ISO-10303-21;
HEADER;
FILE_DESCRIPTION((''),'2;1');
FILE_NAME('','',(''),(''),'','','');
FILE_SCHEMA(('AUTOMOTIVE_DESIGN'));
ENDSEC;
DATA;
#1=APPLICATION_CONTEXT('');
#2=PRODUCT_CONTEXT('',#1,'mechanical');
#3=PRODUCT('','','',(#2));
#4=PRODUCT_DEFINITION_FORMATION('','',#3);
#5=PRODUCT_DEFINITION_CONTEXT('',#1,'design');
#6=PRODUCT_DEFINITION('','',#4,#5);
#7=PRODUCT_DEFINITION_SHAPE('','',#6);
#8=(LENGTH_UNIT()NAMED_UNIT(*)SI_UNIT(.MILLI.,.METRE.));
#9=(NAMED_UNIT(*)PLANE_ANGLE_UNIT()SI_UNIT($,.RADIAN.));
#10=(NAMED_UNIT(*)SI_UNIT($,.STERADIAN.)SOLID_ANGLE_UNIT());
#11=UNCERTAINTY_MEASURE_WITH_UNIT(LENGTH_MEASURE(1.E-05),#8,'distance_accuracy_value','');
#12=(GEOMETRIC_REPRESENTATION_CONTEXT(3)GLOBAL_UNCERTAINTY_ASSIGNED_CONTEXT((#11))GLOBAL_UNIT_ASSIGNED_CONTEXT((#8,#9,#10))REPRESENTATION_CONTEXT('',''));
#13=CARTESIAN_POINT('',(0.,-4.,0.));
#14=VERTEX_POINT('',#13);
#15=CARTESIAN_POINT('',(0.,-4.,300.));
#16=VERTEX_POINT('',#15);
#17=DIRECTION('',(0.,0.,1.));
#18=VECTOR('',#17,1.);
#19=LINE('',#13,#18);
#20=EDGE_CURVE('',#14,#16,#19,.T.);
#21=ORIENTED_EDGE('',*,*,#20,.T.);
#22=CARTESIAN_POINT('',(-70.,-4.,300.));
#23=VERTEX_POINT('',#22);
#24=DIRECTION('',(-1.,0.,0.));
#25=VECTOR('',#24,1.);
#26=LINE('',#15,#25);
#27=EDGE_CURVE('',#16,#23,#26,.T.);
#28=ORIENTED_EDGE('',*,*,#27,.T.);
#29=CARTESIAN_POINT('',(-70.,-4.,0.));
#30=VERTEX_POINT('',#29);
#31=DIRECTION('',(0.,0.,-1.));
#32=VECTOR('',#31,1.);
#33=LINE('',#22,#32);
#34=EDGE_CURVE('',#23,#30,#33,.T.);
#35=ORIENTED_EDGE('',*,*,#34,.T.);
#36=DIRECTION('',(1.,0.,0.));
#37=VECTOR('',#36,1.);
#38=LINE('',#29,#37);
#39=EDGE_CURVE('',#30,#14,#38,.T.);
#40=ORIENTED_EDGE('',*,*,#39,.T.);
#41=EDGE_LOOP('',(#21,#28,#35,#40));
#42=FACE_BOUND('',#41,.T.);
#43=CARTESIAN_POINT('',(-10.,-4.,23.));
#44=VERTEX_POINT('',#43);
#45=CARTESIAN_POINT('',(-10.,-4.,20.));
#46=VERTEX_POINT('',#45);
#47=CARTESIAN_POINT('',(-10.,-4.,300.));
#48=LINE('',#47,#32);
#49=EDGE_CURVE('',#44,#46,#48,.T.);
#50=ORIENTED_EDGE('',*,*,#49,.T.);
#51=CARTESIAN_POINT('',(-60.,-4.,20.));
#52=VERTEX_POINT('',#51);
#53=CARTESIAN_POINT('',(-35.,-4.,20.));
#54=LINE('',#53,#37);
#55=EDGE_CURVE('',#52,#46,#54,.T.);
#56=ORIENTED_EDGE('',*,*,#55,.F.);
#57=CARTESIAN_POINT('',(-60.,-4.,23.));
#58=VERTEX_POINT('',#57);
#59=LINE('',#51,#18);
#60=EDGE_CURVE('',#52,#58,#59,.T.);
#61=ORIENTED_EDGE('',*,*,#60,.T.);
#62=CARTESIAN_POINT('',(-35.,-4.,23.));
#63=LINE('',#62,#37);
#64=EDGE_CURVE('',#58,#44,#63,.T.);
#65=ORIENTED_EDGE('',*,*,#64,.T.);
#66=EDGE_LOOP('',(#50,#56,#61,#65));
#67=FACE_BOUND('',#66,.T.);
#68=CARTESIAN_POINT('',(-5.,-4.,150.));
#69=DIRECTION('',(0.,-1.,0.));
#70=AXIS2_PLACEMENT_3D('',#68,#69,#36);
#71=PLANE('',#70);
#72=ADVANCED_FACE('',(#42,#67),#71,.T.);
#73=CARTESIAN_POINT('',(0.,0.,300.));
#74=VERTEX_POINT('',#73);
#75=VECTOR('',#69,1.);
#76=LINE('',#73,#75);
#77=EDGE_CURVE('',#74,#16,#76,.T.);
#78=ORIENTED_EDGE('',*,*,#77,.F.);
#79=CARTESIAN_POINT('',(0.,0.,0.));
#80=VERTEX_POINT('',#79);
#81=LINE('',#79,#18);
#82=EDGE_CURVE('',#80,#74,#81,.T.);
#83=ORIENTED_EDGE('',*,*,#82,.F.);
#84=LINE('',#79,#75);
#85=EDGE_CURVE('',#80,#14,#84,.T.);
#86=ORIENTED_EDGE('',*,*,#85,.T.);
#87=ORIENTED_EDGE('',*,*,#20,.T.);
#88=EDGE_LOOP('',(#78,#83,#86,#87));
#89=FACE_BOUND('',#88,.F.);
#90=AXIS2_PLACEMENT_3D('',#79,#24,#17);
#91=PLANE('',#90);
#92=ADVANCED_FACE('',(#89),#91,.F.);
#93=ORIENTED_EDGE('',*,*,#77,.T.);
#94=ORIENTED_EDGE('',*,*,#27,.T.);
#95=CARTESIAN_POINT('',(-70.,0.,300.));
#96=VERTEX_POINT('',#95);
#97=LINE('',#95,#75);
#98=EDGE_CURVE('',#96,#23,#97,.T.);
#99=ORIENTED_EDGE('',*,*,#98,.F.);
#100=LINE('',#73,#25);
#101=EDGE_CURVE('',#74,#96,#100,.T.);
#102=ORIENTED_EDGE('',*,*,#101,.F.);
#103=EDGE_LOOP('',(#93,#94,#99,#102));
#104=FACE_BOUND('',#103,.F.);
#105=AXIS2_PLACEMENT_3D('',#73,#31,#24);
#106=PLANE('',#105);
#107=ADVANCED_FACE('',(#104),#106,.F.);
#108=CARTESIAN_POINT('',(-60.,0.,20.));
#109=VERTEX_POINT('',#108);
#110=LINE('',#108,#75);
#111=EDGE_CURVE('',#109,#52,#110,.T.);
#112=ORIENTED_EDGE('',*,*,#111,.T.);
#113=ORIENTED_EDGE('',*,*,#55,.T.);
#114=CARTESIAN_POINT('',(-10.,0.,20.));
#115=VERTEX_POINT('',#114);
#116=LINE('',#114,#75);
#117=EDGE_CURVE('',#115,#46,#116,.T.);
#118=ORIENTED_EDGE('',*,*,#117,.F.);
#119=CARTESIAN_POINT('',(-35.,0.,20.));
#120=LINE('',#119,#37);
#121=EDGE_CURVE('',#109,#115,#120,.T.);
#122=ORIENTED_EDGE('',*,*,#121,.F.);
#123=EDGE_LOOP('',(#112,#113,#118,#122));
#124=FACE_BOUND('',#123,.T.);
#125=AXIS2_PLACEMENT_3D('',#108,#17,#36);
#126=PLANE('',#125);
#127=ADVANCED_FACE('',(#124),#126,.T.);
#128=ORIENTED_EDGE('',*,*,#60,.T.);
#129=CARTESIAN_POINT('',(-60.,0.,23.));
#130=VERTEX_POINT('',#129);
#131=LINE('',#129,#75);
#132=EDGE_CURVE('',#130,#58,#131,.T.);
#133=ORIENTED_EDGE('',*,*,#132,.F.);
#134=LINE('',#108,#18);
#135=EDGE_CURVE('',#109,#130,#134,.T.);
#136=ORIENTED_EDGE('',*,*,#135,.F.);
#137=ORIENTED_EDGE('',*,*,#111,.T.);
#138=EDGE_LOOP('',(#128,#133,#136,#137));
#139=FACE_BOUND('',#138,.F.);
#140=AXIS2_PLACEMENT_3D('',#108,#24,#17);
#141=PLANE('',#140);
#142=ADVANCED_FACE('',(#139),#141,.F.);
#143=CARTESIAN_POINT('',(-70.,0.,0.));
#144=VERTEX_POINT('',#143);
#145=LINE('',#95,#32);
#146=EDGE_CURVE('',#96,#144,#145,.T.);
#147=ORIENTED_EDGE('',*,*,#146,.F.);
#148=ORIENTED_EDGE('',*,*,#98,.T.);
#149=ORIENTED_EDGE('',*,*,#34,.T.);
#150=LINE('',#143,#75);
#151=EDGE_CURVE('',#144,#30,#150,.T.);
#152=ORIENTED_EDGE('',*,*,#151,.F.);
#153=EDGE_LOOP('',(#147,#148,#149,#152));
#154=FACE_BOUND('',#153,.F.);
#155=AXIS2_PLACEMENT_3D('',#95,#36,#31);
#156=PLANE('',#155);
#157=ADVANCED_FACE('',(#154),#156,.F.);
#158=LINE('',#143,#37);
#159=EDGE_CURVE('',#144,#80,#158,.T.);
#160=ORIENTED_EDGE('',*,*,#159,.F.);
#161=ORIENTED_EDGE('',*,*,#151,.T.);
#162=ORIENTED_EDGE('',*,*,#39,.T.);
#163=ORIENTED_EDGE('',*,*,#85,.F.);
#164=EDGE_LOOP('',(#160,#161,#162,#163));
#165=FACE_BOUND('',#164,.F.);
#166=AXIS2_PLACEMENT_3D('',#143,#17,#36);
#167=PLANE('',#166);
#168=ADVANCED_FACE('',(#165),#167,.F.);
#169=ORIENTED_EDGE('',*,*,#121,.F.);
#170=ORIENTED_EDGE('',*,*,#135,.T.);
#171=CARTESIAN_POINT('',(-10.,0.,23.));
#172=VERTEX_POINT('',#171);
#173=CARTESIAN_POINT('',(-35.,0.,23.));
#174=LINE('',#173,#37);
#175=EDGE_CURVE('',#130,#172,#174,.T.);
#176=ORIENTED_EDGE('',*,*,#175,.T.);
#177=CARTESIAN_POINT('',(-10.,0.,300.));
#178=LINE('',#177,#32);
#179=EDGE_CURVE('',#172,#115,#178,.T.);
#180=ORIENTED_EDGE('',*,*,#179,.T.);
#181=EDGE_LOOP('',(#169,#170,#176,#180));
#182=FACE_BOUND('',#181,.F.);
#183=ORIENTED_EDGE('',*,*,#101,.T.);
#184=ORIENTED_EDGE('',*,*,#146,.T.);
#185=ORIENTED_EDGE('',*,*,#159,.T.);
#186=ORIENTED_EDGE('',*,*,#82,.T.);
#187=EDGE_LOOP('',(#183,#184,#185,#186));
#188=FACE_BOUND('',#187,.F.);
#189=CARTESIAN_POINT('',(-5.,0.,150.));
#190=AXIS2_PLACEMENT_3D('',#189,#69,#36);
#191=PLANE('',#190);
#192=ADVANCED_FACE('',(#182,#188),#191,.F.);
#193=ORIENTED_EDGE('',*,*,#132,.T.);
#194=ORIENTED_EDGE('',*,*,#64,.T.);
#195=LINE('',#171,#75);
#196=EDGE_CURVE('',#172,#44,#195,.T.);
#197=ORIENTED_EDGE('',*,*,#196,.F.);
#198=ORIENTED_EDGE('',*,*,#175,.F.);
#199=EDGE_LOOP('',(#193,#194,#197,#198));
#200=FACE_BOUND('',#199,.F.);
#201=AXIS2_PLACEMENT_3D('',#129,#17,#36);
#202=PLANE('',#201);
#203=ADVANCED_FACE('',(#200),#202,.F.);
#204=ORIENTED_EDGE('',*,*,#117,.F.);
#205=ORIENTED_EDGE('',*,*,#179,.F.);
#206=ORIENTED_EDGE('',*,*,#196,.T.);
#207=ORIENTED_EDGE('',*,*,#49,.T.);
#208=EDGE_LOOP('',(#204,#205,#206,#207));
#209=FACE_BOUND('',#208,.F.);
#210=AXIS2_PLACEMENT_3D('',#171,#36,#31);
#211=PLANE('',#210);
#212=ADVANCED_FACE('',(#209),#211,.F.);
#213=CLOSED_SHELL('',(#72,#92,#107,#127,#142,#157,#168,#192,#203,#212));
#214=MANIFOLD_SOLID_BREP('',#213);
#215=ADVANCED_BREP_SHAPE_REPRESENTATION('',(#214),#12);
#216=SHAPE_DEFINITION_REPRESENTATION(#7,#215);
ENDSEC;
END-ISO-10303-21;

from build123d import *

# Parameters (mm, degrees)
F0_W     = 50
F0_H     = 20
F0_H_2   = 140
F0_H_3   = 17
F1_DEPTH = 4


with BuildPart() as f1:
    # F0 (on Front) → F1 (new body)
    with BuildSketch(Plane.XZ):
        Polygon((-10, 0), (0, 0), (0, 192.065343), (0, 300), (-10, 300), (-10, 160), (-10, 140), (-10, 120), (-10, 100), (-10, 80), (-10, 60), (-10, 40), (-10, 23), (-10, 20), align=None)
        with Locations((-35, 10)):
            Rectangle(F0_W, F0_H)
        Polygon((-70, 0), (-60, 0), (-60, 20), (-60, 23), (-60, 40), (-60, 60), (-60, 80), (-60, 100), (-60, 120), (-60, 140), (-60, 160), (-60, 300), (-70, 300), align=None)
        with Locations((-35, 230)):
            Rectangle(F0_W, F0_H_2)
        with Locations((-35, 150)):
            Rectangle(F0_W, F0_H)
        with Locations((-35, 110)):
            Rectangle(F0_W, F0_H)
        with Locations((-35, 90)):
            Rectangle(F0_W, F0_H)
        with Locations((-35, 130)):
            Rectangle(F0_W, F0_H)
        with Locations((-35, 50)):
            Rectangle(F0_W, F0_H)
        with Locations((-35, 70)):
            Rectangle(F0_W, F0_H)
        with Locations((-35, 31.5)):
            Rectangle(F0_W, F0_H_3)
    extrude(amount=F1_DEPTH)


solid = f1.part
